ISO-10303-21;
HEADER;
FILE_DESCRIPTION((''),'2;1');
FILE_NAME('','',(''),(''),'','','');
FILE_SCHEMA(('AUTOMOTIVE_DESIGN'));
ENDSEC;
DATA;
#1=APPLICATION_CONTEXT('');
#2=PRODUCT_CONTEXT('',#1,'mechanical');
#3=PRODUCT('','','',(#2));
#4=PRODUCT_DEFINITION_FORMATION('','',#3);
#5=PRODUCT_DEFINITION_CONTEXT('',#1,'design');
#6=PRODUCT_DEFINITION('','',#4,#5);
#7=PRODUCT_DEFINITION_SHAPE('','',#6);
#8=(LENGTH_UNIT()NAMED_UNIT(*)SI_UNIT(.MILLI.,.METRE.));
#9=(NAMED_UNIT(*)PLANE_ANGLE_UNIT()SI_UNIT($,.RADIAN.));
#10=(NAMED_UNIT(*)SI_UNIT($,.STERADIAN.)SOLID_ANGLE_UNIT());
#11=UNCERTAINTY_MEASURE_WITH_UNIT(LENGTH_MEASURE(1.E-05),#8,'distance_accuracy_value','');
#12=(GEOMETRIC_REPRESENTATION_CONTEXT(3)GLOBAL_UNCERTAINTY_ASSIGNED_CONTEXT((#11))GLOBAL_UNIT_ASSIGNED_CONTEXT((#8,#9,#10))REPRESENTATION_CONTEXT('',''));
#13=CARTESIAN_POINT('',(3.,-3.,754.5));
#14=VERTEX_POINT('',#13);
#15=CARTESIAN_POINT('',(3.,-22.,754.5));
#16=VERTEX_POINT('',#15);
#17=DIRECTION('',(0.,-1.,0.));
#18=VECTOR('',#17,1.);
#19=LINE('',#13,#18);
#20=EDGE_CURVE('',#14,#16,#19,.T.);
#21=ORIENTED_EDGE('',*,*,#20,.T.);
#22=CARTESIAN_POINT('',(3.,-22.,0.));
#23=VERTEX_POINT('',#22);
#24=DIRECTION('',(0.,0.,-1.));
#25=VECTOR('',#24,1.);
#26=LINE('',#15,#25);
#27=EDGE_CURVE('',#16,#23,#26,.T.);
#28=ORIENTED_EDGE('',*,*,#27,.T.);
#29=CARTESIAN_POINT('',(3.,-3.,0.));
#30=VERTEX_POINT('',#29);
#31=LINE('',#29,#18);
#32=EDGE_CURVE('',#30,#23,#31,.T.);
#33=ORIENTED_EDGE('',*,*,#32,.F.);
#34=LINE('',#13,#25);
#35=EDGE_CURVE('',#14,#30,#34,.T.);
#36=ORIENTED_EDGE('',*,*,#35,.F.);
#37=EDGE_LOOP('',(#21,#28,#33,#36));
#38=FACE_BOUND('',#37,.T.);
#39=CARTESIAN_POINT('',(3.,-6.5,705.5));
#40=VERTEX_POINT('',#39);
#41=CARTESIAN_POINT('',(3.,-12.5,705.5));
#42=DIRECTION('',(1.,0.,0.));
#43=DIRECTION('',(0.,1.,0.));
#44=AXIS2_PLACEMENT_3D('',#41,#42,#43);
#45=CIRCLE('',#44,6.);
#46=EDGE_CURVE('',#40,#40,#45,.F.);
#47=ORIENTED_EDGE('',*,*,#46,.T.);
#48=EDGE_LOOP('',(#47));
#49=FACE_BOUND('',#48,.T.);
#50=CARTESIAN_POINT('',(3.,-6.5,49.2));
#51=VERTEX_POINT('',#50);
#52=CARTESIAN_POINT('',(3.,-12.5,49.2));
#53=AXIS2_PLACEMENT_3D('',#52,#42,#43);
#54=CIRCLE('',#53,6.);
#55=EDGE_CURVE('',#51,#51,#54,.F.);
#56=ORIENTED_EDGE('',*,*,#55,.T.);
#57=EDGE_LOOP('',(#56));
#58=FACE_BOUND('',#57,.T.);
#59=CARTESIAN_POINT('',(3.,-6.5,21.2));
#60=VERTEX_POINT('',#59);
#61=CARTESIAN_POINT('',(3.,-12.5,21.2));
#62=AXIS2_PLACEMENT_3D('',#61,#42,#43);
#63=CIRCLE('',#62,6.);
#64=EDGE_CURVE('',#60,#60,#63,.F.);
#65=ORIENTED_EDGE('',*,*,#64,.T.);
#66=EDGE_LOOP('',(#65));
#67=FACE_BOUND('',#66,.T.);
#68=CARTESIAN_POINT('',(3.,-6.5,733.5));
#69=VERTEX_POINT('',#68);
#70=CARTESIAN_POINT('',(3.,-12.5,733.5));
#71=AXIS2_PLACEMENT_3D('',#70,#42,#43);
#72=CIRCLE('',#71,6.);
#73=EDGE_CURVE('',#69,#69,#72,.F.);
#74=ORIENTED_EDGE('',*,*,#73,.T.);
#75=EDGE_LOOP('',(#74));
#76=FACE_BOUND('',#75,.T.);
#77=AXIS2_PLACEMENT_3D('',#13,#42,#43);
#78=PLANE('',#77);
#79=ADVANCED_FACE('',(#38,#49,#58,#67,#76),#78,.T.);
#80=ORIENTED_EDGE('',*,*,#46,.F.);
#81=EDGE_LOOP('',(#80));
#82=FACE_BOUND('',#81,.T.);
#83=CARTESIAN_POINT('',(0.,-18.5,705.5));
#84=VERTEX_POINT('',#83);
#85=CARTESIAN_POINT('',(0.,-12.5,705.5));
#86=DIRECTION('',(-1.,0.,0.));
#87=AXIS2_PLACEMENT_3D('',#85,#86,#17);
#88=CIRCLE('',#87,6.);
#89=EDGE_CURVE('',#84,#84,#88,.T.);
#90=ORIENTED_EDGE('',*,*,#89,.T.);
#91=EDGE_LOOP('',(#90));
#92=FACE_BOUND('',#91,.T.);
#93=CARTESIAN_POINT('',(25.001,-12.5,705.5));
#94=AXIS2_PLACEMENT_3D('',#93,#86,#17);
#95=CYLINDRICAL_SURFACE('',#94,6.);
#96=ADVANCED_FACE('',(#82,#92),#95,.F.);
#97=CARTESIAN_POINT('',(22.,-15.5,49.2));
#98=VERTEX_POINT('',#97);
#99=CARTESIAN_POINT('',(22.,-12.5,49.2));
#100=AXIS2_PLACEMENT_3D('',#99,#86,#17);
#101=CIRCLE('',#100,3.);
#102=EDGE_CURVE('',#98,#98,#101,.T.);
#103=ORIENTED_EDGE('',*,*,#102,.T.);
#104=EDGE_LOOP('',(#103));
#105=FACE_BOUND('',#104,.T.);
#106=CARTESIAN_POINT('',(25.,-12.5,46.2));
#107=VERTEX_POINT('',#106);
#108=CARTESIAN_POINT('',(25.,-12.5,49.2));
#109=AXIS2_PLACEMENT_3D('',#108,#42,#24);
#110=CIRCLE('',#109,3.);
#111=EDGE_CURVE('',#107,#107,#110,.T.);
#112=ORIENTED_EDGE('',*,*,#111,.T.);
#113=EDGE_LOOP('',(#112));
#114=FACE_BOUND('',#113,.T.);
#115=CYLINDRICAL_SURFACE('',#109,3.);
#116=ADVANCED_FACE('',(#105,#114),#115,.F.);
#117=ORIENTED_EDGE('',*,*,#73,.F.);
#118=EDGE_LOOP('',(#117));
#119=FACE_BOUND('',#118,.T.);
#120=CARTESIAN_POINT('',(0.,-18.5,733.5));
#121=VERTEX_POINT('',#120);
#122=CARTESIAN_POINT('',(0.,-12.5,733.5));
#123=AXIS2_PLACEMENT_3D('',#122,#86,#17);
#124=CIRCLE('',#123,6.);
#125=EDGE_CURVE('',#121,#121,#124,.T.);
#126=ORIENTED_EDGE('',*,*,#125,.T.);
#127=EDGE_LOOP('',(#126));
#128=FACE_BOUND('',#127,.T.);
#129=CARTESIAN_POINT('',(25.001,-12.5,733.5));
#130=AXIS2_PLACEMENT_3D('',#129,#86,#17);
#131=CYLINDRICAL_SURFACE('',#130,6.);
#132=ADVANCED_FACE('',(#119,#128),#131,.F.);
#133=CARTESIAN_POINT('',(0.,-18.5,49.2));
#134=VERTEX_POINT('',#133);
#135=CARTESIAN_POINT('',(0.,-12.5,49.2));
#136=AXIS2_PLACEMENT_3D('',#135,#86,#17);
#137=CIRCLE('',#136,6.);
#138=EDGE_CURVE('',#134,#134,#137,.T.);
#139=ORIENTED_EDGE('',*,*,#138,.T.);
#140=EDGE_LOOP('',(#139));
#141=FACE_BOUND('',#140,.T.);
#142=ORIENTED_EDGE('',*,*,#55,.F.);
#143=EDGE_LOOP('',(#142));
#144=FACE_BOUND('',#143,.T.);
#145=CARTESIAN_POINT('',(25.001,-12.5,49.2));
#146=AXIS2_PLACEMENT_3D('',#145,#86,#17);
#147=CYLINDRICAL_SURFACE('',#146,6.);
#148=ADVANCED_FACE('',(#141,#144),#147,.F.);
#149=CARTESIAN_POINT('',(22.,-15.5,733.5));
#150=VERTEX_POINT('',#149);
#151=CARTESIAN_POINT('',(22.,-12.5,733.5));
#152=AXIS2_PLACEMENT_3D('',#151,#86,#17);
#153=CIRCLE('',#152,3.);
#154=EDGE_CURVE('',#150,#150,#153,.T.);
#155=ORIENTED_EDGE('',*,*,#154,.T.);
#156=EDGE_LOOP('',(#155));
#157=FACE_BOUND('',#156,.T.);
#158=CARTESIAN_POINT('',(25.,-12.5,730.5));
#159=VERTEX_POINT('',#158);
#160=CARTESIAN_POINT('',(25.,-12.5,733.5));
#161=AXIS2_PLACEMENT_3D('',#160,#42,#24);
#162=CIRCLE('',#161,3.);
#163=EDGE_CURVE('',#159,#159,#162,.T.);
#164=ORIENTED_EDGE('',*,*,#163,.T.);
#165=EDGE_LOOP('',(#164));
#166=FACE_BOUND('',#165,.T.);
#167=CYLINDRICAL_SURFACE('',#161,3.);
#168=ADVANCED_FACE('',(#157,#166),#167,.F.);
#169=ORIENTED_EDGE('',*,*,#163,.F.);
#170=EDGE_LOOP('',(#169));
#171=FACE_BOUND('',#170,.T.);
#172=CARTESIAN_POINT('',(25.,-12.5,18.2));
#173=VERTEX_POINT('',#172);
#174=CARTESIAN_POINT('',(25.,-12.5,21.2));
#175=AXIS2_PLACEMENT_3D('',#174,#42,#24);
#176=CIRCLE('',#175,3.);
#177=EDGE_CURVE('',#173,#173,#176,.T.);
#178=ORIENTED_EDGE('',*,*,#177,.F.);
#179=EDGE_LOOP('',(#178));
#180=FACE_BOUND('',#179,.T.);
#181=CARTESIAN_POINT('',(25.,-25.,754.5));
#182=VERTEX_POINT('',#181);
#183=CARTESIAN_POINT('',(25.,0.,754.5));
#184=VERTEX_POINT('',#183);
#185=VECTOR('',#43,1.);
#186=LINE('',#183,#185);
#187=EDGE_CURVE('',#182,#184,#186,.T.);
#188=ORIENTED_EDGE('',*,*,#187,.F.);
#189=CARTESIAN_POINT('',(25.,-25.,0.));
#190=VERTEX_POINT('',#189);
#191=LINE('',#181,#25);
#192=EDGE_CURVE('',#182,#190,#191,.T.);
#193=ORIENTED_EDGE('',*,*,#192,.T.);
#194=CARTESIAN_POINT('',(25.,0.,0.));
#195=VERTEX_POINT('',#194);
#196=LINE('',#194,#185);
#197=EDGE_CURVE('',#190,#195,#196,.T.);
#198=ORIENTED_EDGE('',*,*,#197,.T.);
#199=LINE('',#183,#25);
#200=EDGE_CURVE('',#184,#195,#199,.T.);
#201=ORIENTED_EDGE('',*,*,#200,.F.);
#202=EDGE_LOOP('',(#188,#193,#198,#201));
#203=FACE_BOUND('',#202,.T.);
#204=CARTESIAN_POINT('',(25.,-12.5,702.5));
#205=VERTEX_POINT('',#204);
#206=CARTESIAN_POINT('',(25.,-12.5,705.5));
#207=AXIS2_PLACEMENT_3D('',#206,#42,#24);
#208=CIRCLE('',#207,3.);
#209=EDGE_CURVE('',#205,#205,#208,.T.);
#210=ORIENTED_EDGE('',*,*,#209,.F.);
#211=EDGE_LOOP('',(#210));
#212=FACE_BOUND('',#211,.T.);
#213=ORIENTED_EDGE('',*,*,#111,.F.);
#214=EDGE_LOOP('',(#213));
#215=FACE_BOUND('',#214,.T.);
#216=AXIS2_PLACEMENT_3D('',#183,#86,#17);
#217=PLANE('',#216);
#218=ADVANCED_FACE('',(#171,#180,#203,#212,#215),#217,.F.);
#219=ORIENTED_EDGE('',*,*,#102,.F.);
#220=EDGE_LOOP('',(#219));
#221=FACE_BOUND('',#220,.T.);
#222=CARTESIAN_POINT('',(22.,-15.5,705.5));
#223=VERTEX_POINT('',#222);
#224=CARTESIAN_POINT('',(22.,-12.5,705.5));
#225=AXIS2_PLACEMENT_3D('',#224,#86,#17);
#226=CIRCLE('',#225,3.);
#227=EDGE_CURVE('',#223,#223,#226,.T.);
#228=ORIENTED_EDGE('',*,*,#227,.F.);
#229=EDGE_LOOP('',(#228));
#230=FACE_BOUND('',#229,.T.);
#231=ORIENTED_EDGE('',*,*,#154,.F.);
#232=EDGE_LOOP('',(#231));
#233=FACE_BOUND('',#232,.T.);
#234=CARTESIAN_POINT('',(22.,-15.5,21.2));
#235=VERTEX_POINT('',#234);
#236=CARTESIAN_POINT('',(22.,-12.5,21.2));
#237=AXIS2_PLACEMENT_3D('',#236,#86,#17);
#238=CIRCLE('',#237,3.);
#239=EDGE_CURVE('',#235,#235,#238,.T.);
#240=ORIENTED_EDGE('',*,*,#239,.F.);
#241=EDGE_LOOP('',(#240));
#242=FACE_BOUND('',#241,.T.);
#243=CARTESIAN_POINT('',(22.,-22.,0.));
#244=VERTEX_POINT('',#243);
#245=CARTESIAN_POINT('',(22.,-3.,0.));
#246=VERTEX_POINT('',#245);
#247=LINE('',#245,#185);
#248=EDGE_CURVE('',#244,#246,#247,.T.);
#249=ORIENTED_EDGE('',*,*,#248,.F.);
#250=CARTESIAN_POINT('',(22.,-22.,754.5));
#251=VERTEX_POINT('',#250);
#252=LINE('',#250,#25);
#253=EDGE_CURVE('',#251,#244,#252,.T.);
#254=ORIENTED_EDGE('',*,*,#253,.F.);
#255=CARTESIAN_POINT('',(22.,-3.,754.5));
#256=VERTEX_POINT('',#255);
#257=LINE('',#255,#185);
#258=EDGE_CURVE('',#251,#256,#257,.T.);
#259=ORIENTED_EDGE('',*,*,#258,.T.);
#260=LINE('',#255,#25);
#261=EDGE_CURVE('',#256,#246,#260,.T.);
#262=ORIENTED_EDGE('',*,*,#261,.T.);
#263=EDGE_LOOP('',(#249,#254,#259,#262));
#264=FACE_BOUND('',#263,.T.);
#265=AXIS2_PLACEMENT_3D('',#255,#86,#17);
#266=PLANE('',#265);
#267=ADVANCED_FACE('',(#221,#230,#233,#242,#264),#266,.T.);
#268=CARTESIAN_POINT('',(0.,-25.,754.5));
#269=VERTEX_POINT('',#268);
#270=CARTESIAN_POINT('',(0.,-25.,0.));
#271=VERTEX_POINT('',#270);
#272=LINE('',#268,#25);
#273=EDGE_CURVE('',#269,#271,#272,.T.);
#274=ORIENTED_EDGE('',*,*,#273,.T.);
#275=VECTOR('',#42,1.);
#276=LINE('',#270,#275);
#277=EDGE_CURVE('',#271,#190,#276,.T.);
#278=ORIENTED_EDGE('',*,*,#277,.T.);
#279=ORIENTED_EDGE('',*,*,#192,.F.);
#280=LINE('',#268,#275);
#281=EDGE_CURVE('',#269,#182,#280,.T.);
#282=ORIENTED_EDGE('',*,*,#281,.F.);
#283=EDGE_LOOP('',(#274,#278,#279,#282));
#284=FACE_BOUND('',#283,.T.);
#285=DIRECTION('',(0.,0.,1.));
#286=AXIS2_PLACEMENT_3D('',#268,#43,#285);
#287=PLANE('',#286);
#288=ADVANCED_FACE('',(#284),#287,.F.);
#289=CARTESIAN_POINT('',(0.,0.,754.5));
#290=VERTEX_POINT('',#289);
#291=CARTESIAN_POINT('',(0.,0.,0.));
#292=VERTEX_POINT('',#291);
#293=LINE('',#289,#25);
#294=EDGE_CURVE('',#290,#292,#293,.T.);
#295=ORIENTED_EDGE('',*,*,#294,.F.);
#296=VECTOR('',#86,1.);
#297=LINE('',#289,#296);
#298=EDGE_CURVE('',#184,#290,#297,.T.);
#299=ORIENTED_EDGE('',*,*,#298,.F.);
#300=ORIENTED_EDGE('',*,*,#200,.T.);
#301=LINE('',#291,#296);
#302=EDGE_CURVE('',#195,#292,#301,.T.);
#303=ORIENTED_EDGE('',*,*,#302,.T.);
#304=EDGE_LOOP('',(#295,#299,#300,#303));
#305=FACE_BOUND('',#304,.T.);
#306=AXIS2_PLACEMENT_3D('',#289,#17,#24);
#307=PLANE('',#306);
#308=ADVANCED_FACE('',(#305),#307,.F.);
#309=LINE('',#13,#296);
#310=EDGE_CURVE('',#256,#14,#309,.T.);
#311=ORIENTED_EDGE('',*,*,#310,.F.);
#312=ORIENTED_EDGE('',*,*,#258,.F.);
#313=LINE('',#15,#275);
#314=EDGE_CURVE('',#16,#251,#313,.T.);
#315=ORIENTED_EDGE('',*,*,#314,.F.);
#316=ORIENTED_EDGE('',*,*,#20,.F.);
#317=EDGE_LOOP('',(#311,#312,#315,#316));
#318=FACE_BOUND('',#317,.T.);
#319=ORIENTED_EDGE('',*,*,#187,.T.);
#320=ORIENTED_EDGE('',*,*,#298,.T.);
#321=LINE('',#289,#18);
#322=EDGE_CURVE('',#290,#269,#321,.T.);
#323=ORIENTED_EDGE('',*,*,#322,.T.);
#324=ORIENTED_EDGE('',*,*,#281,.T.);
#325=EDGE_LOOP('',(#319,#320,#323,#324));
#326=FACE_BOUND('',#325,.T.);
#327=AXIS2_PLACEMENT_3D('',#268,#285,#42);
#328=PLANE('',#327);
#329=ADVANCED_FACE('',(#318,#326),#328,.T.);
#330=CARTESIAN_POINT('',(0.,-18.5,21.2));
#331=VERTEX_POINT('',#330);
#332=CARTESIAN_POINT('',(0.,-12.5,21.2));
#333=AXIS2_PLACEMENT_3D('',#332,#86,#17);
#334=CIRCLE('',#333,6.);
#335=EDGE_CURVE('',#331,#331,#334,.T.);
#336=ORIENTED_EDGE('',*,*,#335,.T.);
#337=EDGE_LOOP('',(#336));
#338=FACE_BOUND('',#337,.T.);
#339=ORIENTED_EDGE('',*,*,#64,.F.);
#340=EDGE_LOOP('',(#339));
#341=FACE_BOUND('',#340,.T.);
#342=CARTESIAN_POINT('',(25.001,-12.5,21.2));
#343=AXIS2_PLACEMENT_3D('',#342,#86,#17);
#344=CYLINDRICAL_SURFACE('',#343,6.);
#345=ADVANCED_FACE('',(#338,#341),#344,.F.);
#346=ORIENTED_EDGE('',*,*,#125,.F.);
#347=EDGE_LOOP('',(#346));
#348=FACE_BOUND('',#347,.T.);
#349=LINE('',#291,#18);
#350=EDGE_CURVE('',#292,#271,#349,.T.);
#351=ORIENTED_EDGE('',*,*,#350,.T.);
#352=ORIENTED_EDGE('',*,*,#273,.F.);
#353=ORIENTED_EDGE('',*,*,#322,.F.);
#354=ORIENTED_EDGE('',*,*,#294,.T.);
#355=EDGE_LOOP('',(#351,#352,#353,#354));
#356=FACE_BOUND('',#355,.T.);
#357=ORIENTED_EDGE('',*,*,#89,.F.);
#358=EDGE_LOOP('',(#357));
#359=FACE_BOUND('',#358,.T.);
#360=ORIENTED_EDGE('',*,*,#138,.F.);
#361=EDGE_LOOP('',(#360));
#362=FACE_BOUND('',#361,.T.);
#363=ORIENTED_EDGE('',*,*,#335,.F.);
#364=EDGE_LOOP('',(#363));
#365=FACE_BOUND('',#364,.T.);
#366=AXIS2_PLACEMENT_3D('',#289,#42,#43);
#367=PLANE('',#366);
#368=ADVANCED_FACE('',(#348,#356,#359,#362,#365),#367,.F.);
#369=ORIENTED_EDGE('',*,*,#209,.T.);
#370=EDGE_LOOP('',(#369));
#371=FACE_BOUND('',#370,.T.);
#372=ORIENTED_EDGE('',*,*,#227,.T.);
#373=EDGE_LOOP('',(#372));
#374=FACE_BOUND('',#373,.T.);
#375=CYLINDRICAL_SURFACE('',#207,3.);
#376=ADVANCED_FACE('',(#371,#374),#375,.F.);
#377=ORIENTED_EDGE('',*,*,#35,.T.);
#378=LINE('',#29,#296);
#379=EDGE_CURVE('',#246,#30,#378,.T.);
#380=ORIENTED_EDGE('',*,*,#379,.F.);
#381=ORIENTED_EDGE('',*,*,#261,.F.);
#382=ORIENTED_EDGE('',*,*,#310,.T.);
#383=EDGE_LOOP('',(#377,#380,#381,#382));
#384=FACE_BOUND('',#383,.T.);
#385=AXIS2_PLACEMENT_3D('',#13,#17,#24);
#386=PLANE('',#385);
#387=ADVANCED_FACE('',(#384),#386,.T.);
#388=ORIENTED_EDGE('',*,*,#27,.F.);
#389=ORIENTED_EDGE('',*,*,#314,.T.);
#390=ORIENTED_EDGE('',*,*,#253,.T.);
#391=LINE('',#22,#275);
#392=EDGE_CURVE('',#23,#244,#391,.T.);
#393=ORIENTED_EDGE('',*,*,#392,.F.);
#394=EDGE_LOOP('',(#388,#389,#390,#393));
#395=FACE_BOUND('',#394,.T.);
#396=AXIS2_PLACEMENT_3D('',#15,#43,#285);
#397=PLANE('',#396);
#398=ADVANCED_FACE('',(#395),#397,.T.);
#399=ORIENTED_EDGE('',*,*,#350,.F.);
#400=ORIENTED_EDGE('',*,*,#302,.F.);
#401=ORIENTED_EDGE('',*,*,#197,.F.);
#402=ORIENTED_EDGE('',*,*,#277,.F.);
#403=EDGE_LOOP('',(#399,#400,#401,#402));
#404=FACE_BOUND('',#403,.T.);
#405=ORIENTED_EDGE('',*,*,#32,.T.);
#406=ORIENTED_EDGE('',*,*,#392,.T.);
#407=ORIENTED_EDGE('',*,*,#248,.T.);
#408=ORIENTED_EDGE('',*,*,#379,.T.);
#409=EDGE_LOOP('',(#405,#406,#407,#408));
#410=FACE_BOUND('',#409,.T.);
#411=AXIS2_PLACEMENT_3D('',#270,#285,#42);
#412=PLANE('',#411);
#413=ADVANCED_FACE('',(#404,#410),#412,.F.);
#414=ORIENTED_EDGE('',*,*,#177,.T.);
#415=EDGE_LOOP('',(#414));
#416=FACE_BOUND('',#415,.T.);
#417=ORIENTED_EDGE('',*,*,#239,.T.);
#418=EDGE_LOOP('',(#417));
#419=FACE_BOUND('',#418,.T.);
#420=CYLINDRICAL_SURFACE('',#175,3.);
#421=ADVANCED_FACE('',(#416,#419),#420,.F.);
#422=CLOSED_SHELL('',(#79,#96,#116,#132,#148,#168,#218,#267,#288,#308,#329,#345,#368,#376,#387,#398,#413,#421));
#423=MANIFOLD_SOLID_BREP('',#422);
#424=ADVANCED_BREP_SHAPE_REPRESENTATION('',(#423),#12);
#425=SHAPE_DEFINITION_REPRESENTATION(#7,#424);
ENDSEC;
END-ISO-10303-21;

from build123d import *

# Parameters (mm, degrees)
SKETCH_1_W             = 25
SKETCH_1_H             = 25
SKETCH_1_W_2           = 19
SKETCH_1_H_2           = 19
EXTRUDE_1_DEPTH        = 754.5
HOLE_WIZARD_6_0_6_1_D  = 6
CUT_EXTRUDE_1_REACH    = 757.328
SKETCH_5_R             = 6
PATTERN_LINEAR_1_COUNT = 2
PATTERN_LINEAR_1_PITCH = 684.3


with BuildPart() as part:
    # 草图1 → 拉伸1 (new body)
    with BuildSketch(Plane.XY):
        with Locations((12.5, -12.5)):
            Rectangle(SKETCH_1_W, SKETCH_1_H)
        with Locations((12.5, -12.5)):
            Rectangle(SKETCH_1_W_2, SKETCH_1_H_2, mode=Mode.SUBTRACT)
    extrude(amount=EXTRUDE_1_DEPTH)

    # Ø6.0 (6) 直径孔1 (through all)
    with Locations(Plane(origin=(25, 0, 0), x_dir=(0, 0, -1), z_dir=(1, 0, 0))):
        with Locations((-705.5, -12.5), (-733.5, -12.5)):
            hole_wizard_6_0_6_1 = Hole(HOLE_WIZARD_6_0_6_1_D / 2)

    # 草图5 → 切除-拉伸1 (cut, up to next)
    with BuildSketch(Plane.ZY, mode=Mode.PRIVATE) as cut_extrude_1_sk1:
        with Locations(Location((705.5, -12.5, 0), (0, 0, 270))):
            Circle(SKETCH_5_R)
    cut_extrude_1_tool1 = extrude(cut_extrude_1_sk1.sketch, amount=-CUT_EXTRUDE_1_REACH, mode=Mode.PRIVATE) & part.part
    # 草图5 → 切除-拉伸1 (cut, up to next)
    with BuildSketch(Plane.ZY, mode=Mode.PRIVATE) as cut_extrude_1_sk2:
        with Locations(Location((733.5, -12.5, 0), (0, 0, 270))):
            Circle(SKETCH_5_R)
    cut_extrude_1_tool2 = extrude(cut_extrude_1_sk2.sketch, amount=-CUT_EXTRUDE_1_REACH, mode=Mode.PRIVATE) & part.part
    cut_extrude_1_1 = cut_extrude_1_tool1.solids().sort_by_distance((0, -12.5, 705.5))[0]
    add(cut_extrude_1_1, mode=Mode.SUBTRACT)
    cut_extrude_1_2 = cut_extrude_1_tool2.solids().sort_by_distance((0, -12.5, 733.5))[0]
    add(cut_extrude_1_2, mode=Mode.SUBTRACT)
    cut_extrude_1 = cut_extrude_1_1 + cut_extrude_1_2  # 切除-拉伸1 as one shape, for the pattern or mirror that repeats it

    # 阵列(线性)1: Ø6.0 (6) 直径孔1, 切除-拉伸1 ×2
    with Locations(*[(0, 0, -i * PATTERN_LINEAR_1_PITCH) for i in range(1, PATTERN_LINEAR_1_COUNT)]):
        add(hole_wizard_6_0_6_1, mode=Mode.SUBTRACT)
        add(cut_extrude_1, mode=Mode.SUBTRACT)


solid = part.part
